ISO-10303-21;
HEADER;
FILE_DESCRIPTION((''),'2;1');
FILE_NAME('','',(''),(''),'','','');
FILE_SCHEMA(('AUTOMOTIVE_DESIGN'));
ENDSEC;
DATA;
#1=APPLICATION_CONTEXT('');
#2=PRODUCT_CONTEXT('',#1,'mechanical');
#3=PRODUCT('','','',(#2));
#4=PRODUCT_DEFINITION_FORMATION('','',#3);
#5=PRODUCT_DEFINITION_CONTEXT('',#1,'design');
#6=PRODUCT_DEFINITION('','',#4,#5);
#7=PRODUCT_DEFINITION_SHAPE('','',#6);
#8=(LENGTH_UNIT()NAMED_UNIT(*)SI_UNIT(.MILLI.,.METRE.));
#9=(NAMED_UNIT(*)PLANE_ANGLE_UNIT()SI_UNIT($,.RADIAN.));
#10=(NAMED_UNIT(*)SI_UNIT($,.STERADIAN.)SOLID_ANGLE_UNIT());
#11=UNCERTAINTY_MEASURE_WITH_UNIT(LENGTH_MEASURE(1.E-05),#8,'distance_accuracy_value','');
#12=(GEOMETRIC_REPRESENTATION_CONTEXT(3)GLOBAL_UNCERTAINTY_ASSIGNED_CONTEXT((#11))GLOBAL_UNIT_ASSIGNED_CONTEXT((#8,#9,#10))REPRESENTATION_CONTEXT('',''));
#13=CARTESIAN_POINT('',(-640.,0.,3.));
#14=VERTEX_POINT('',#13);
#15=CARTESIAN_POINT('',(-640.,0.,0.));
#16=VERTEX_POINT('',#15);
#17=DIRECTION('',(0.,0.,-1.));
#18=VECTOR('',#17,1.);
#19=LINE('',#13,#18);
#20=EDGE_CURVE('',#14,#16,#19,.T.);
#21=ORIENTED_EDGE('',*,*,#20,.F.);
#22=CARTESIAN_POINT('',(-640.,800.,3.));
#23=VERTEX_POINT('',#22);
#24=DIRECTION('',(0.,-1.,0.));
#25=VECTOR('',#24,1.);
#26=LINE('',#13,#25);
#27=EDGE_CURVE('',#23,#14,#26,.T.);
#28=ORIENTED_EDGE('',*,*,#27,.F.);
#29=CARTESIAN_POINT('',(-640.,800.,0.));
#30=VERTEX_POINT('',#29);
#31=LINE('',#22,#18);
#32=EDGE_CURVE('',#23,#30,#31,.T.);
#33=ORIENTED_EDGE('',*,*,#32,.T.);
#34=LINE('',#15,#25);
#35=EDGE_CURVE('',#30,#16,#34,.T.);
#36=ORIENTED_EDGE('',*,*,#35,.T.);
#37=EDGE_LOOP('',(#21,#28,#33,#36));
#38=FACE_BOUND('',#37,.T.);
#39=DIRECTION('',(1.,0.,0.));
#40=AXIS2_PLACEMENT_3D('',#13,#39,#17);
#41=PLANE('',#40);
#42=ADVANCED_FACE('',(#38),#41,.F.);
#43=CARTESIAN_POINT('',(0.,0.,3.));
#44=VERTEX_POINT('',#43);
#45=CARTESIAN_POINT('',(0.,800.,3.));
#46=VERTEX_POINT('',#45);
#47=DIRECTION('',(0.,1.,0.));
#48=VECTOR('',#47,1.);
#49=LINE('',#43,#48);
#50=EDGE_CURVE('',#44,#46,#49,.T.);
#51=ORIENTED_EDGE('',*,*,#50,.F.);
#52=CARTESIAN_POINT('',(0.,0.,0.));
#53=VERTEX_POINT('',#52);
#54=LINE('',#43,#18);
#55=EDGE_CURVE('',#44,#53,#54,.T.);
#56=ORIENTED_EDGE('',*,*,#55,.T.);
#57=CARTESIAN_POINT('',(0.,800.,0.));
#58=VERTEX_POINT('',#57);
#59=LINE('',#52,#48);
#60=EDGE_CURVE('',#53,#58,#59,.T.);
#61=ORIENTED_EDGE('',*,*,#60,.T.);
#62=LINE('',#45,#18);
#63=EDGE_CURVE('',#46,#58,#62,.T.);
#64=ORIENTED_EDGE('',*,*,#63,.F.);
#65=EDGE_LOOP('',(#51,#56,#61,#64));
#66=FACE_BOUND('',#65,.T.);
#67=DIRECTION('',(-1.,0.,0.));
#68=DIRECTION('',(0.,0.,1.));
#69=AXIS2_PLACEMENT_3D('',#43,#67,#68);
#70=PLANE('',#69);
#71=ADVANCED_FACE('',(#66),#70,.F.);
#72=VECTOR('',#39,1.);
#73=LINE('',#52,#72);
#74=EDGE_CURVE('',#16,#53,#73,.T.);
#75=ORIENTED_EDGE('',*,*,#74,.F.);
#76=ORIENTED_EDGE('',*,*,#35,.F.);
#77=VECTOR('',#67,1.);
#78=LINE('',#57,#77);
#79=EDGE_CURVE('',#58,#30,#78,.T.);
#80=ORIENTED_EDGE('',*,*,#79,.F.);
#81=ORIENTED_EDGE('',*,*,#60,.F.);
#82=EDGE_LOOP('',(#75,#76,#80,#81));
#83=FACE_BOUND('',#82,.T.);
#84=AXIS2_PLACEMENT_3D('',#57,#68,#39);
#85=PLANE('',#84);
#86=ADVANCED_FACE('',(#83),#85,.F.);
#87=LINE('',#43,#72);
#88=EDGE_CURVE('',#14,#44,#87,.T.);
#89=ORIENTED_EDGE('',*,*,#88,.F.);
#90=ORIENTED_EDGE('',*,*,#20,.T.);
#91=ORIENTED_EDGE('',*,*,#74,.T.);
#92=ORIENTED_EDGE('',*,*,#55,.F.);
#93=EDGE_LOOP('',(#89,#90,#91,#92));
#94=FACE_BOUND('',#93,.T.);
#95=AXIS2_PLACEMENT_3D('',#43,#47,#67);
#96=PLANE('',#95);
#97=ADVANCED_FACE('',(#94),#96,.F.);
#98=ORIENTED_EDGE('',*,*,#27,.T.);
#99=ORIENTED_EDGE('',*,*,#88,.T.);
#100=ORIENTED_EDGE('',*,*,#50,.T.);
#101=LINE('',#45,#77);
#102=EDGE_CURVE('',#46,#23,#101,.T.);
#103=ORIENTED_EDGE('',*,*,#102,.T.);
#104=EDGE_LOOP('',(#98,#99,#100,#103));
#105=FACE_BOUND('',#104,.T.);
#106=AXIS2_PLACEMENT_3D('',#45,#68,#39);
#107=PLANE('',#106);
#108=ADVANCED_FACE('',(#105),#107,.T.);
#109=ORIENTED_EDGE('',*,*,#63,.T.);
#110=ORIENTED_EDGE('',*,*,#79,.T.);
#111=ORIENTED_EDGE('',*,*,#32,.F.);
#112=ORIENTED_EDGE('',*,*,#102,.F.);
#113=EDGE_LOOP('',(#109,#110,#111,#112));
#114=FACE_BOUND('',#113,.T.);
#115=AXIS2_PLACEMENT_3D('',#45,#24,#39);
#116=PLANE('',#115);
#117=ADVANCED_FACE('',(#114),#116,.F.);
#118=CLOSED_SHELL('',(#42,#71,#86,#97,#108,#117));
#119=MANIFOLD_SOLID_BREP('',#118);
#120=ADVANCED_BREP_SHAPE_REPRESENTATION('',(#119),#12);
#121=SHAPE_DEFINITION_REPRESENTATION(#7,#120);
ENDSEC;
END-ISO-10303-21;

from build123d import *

# Parameters (mm, degrees)
ESQUISSE1_W        = 640
ESQUISSE1_H        = 800
BOSS_EXTRU_1_DEPTH = 3


with BuildPart() as part:
    # Esquisse1 → Boss.-Extru.1 (new body)
    with BuildSketch(Plane.XY):
        with Locations((-320, 400)):
            Rectangle(ESQUISSE1_W, ESQUISSE1_H)
    extrude(amount=BOSS_EXTRU_1_DEPTH)


solid = part.part
